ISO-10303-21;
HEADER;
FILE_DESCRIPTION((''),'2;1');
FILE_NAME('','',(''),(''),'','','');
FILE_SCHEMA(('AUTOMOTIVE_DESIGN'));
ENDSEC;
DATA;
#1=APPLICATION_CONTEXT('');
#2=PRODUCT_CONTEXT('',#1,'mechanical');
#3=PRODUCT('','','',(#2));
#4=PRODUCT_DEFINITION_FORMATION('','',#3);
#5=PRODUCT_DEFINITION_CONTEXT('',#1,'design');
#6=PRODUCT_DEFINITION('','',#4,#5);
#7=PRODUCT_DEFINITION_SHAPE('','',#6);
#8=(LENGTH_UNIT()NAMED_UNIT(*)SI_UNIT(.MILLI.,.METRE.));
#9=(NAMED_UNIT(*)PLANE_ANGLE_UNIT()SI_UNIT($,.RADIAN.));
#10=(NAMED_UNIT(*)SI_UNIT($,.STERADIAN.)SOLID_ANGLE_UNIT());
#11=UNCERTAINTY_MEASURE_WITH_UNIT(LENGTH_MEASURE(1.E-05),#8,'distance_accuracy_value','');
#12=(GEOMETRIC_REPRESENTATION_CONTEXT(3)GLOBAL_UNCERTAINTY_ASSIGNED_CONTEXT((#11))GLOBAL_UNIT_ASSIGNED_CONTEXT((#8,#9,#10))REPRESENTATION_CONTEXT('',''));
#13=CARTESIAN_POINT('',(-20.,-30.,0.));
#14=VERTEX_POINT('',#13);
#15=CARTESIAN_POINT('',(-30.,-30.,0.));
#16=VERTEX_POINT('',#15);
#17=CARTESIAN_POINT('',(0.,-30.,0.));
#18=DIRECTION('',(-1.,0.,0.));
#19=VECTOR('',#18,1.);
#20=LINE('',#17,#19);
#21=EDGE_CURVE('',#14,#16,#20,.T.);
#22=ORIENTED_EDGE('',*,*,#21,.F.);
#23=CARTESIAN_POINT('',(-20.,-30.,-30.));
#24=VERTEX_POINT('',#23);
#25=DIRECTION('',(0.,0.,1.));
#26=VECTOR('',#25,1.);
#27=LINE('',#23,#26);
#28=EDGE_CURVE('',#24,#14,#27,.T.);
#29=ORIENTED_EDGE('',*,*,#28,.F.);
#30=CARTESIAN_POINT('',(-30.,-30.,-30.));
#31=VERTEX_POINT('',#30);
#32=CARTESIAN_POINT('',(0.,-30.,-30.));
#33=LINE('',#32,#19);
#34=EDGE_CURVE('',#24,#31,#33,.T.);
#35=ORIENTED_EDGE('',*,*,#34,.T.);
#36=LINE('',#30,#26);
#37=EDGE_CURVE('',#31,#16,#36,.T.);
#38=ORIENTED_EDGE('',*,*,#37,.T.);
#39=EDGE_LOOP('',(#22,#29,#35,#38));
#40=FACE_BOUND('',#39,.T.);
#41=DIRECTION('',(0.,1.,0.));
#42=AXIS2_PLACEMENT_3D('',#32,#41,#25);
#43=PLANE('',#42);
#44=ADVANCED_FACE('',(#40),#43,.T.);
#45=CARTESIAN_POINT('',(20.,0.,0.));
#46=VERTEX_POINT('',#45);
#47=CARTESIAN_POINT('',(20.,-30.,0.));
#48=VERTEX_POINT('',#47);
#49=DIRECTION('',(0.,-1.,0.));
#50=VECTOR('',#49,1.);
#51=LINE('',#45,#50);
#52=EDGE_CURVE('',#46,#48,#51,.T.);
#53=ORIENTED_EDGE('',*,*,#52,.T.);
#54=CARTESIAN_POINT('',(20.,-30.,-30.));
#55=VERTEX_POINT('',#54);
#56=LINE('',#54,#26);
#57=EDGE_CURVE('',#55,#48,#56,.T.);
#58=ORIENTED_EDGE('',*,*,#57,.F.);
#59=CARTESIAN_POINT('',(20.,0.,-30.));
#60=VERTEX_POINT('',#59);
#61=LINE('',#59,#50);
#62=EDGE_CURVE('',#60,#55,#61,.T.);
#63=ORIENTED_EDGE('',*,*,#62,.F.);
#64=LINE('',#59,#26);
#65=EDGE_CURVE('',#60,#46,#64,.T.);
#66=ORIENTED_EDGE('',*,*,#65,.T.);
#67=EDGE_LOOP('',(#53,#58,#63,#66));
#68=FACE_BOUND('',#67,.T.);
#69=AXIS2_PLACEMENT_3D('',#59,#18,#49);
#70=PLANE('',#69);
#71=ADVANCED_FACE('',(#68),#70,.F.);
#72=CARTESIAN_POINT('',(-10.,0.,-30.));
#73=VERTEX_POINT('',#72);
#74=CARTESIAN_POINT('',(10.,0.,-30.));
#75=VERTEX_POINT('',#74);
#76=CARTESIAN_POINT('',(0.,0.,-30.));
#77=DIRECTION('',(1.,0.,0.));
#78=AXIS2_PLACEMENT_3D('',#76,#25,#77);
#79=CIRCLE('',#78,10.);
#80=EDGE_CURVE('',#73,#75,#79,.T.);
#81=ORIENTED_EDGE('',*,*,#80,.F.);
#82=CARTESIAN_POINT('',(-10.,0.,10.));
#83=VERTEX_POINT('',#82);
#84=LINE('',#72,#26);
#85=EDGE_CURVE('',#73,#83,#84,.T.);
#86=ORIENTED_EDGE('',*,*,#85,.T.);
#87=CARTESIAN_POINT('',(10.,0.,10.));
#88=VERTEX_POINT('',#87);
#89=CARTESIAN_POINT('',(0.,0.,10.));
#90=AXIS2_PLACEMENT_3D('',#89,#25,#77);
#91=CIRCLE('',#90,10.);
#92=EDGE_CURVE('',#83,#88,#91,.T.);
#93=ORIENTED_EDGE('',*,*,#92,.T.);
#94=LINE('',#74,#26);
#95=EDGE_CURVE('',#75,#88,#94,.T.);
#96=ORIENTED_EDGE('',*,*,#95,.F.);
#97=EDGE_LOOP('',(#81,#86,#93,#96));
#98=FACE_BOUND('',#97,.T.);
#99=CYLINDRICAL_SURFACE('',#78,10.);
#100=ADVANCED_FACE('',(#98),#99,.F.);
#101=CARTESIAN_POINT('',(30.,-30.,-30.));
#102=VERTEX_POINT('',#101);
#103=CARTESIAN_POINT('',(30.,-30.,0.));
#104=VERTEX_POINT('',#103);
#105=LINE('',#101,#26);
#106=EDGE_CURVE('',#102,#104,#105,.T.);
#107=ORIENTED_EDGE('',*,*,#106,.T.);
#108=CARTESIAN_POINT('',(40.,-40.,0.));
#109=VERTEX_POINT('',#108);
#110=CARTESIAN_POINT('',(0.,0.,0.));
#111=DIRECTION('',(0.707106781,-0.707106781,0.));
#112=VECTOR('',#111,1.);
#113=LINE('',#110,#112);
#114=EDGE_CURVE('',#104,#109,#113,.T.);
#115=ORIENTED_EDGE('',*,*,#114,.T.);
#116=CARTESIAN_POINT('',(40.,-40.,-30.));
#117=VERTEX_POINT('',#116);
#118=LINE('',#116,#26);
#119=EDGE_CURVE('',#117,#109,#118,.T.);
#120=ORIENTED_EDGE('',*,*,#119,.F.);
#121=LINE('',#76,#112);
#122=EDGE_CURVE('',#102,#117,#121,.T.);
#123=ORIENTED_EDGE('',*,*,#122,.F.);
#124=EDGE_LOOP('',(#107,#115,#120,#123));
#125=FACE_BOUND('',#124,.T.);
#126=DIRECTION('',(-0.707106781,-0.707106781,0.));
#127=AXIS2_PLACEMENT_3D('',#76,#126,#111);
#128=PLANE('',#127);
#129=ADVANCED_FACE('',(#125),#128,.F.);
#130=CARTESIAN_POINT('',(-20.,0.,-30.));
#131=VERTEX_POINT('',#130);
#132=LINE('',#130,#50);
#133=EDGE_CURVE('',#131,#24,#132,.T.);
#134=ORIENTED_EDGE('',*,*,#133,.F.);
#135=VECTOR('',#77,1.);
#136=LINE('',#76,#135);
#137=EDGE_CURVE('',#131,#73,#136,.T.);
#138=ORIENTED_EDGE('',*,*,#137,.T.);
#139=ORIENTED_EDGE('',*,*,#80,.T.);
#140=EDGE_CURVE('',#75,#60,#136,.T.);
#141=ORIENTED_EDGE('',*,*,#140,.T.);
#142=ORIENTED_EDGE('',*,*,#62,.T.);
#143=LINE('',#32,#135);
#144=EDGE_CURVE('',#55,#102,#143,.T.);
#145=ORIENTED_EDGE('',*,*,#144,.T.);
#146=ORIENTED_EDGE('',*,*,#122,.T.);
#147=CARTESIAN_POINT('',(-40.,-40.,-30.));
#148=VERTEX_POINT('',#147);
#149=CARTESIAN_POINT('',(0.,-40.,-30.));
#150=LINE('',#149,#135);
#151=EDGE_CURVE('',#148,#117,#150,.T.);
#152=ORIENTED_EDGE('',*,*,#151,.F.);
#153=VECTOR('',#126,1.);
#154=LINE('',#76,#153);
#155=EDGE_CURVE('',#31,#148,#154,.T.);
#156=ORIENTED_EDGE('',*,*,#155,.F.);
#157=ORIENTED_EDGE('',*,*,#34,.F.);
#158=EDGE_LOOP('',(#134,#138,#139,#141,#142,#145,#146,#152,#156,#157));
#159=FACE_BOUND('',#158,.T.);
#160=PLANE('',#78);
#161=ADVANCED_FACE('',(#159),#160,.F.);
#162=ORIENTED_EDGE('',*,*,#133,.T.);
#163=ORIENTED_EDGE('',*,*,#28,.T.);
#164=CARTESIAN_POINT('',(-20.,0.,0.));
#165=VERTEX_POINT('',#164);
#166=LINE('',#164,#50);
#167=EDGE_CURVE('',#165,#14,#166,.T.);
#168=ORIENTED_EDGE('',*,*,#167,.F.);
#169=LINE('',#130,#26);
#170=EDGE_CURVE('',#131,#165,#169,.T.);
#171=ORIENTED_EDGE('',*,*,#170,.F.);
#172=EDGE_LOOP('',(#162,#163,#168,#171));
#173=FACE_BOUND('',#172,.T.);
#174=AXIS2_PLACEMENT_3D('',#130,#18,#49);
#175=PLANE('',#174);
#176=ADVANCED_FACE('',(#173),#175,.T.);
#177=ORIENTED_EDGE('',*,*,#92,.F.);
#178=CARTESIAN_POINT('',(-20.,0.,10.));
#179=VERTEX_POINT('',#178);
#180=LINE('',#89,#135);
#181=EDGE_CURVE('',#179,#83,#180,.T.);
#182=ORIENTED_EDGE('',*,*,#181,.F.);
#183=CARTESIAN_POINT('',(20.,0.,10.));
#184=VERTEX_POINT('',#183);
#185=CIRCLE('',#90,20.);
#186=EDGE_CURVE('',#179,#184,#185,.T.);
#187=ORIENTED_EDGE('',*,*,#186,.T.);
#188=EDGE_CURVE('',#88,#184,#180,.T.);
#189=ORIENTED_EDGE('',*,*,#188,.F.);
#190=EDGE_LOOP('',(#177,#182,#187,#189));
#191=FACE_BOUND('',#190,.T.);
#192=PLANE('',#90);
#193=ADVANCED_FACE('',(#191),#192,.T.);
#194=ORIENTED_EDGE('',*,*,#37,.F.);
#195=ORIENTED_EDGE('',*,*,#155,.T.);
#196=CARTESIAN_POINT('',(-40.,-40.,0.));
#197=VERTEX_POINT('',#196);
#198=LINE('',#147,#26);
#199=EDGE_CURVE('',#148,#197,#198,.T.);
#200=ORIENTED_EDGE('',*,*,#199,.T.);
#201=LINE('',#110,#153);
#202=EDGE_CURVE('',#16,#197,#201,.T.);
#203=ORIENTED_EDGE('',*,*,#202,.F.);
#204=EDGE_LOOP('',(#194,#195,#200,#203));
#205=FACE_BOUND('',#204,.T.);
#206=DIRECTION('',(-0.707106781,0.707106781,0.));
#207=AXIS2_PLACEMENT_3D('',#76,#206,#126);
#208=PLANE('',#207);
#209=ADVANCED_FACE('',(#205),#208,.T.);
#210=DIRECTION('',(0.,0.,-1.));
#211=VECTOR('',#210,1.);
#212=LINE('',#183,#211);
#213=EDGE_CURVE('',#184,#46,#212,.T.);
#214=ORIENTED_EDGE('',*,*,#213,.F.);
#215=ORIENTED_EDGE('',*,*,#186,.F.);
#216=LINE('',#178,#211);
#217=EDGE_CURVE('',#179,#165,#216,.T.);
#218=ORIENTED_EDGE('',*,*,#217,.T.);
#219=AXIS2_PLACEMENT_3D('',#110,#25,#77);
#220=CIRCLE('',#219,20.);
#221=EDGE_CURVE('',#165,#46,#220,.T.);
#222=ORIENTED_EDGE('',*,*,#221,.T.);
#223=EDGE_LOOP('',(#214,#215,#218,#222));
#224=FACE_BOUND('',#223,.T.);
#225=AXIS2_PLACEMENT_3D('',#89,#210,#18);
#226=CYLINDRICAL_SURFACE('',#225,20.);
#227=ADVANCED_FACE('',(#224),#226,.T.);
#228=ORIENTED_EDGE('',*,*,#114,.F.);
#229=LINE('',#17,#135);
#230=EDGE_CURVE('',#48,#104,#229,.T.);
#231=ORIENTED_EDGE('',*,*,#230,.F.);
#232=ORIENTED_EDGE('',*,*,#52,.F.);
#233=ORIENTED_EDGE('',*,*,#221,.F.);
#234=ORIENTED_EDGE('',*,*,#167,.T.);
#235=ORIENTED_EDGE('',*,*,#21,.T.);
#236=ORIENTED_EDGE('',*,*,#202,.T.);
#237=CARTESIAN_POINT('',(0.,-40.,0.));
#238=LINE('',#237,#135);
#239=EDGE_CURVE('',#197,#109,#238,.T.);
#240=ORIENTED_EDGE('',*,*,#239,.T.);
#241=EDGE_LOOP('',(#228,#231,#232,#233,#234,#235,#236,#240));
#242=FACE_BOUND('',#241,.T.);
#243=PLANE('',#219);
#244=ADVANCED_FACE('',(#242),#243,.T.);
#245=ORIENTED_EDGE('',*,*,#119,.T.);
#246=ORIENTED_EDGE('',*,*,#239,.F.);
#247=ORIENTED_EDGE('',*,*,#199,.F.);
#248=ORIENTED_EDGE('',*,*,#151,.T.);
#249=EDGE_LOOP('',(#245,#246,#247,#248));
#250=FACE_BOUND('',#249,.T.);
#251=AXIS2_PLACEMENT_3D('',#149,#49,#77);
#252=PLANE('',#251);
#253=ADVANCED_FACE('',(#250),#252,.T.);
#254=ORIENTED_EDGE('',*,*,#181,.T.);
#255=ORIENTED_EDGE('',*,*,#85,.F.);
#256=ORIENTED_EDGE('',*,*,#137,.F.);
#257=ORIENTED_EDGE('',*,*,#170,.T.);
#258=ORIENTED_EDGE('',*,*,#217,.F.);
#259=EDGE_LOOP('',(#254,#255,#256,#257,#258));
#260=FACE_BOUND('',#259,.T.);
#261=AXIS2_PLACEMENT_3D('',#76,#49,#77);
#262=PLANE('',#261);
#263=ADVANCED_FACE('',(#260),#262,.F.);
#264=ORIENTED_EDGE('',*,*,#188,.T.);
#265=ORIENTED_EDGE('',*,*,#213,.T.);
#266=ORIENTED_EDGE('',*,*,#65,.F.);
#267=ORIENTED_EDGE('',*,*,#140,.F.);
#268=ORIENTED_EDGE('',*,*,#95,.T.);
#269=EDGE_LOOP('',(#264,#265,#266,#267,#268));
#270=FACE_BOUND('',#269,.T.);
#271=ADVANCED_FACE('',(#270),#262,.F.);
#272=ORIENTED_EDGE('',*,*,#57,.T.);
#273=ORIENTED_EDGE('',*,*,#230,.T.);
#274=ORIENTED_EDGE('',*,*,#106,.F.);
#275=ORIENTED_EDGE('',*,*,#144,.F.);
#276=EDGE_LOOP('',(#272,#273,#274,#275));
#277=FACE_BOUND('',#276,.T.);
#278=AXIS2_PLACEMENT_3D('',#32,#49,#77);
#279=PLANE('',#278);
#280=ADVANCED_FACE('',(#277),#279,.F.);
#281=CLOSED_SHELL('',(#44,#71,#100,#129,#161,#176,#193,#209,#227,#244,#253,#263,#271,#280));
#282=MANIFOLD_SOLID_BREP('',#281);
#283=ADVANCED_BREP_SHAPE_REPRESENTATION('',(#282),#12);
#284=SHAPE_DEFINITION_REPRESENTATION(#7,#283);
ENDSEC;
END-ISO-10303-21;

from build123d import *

# Parameters (mm, degrees)
BOSS_EXTRUDE7_DEPTH = 30
BOSS_EXTRUDE8_START = 10
BOSS_EXTRUDE8_DEPTH = 10


with BuildPart() as part:
    # Sketch1 → Boss-Extrude7 (new body)
    with BuildSketch(Plane.XY):
        with BuildLine():
            Line((20, -30), (20, 0))
            Line((20, 0), (10, 0))
            ThreePointArc((10, 0), (0, -10), (-10, 0))
            Line((-10, 0), (-20, 0))
            Line((-20, 0), (-20, -30))
            Line((-20, -30), (-30, -30))
            Line((-30, -30), (-40, -40))
            Line((-40, -40), (40, -40))
            Line((40, -40), (30, -30))
            Line((30, -30), (20, -30))
        make_face()
    extrude(amount=-BOSS_EXTRUDE7_DEPTH)

    # Sketch1<11> → Boss-Extrude8 (add)
    with BuildSketch(Plane.XY.offset(BOSS_EXTRUDE8_START)):
        with BuildLine():
            Line((-10, 0), (-20, 0))
            ThreePointArc((-20, 0), (0, -20), (20, 0))
            Line((20, 0), (10, 0))
            ThreePointArc((10, 0), (0, -10), (-10, 0))
        make_face()
    extrude(amount=-BOSS_EXTRUDE8_DEPTH)


solid = part.part
